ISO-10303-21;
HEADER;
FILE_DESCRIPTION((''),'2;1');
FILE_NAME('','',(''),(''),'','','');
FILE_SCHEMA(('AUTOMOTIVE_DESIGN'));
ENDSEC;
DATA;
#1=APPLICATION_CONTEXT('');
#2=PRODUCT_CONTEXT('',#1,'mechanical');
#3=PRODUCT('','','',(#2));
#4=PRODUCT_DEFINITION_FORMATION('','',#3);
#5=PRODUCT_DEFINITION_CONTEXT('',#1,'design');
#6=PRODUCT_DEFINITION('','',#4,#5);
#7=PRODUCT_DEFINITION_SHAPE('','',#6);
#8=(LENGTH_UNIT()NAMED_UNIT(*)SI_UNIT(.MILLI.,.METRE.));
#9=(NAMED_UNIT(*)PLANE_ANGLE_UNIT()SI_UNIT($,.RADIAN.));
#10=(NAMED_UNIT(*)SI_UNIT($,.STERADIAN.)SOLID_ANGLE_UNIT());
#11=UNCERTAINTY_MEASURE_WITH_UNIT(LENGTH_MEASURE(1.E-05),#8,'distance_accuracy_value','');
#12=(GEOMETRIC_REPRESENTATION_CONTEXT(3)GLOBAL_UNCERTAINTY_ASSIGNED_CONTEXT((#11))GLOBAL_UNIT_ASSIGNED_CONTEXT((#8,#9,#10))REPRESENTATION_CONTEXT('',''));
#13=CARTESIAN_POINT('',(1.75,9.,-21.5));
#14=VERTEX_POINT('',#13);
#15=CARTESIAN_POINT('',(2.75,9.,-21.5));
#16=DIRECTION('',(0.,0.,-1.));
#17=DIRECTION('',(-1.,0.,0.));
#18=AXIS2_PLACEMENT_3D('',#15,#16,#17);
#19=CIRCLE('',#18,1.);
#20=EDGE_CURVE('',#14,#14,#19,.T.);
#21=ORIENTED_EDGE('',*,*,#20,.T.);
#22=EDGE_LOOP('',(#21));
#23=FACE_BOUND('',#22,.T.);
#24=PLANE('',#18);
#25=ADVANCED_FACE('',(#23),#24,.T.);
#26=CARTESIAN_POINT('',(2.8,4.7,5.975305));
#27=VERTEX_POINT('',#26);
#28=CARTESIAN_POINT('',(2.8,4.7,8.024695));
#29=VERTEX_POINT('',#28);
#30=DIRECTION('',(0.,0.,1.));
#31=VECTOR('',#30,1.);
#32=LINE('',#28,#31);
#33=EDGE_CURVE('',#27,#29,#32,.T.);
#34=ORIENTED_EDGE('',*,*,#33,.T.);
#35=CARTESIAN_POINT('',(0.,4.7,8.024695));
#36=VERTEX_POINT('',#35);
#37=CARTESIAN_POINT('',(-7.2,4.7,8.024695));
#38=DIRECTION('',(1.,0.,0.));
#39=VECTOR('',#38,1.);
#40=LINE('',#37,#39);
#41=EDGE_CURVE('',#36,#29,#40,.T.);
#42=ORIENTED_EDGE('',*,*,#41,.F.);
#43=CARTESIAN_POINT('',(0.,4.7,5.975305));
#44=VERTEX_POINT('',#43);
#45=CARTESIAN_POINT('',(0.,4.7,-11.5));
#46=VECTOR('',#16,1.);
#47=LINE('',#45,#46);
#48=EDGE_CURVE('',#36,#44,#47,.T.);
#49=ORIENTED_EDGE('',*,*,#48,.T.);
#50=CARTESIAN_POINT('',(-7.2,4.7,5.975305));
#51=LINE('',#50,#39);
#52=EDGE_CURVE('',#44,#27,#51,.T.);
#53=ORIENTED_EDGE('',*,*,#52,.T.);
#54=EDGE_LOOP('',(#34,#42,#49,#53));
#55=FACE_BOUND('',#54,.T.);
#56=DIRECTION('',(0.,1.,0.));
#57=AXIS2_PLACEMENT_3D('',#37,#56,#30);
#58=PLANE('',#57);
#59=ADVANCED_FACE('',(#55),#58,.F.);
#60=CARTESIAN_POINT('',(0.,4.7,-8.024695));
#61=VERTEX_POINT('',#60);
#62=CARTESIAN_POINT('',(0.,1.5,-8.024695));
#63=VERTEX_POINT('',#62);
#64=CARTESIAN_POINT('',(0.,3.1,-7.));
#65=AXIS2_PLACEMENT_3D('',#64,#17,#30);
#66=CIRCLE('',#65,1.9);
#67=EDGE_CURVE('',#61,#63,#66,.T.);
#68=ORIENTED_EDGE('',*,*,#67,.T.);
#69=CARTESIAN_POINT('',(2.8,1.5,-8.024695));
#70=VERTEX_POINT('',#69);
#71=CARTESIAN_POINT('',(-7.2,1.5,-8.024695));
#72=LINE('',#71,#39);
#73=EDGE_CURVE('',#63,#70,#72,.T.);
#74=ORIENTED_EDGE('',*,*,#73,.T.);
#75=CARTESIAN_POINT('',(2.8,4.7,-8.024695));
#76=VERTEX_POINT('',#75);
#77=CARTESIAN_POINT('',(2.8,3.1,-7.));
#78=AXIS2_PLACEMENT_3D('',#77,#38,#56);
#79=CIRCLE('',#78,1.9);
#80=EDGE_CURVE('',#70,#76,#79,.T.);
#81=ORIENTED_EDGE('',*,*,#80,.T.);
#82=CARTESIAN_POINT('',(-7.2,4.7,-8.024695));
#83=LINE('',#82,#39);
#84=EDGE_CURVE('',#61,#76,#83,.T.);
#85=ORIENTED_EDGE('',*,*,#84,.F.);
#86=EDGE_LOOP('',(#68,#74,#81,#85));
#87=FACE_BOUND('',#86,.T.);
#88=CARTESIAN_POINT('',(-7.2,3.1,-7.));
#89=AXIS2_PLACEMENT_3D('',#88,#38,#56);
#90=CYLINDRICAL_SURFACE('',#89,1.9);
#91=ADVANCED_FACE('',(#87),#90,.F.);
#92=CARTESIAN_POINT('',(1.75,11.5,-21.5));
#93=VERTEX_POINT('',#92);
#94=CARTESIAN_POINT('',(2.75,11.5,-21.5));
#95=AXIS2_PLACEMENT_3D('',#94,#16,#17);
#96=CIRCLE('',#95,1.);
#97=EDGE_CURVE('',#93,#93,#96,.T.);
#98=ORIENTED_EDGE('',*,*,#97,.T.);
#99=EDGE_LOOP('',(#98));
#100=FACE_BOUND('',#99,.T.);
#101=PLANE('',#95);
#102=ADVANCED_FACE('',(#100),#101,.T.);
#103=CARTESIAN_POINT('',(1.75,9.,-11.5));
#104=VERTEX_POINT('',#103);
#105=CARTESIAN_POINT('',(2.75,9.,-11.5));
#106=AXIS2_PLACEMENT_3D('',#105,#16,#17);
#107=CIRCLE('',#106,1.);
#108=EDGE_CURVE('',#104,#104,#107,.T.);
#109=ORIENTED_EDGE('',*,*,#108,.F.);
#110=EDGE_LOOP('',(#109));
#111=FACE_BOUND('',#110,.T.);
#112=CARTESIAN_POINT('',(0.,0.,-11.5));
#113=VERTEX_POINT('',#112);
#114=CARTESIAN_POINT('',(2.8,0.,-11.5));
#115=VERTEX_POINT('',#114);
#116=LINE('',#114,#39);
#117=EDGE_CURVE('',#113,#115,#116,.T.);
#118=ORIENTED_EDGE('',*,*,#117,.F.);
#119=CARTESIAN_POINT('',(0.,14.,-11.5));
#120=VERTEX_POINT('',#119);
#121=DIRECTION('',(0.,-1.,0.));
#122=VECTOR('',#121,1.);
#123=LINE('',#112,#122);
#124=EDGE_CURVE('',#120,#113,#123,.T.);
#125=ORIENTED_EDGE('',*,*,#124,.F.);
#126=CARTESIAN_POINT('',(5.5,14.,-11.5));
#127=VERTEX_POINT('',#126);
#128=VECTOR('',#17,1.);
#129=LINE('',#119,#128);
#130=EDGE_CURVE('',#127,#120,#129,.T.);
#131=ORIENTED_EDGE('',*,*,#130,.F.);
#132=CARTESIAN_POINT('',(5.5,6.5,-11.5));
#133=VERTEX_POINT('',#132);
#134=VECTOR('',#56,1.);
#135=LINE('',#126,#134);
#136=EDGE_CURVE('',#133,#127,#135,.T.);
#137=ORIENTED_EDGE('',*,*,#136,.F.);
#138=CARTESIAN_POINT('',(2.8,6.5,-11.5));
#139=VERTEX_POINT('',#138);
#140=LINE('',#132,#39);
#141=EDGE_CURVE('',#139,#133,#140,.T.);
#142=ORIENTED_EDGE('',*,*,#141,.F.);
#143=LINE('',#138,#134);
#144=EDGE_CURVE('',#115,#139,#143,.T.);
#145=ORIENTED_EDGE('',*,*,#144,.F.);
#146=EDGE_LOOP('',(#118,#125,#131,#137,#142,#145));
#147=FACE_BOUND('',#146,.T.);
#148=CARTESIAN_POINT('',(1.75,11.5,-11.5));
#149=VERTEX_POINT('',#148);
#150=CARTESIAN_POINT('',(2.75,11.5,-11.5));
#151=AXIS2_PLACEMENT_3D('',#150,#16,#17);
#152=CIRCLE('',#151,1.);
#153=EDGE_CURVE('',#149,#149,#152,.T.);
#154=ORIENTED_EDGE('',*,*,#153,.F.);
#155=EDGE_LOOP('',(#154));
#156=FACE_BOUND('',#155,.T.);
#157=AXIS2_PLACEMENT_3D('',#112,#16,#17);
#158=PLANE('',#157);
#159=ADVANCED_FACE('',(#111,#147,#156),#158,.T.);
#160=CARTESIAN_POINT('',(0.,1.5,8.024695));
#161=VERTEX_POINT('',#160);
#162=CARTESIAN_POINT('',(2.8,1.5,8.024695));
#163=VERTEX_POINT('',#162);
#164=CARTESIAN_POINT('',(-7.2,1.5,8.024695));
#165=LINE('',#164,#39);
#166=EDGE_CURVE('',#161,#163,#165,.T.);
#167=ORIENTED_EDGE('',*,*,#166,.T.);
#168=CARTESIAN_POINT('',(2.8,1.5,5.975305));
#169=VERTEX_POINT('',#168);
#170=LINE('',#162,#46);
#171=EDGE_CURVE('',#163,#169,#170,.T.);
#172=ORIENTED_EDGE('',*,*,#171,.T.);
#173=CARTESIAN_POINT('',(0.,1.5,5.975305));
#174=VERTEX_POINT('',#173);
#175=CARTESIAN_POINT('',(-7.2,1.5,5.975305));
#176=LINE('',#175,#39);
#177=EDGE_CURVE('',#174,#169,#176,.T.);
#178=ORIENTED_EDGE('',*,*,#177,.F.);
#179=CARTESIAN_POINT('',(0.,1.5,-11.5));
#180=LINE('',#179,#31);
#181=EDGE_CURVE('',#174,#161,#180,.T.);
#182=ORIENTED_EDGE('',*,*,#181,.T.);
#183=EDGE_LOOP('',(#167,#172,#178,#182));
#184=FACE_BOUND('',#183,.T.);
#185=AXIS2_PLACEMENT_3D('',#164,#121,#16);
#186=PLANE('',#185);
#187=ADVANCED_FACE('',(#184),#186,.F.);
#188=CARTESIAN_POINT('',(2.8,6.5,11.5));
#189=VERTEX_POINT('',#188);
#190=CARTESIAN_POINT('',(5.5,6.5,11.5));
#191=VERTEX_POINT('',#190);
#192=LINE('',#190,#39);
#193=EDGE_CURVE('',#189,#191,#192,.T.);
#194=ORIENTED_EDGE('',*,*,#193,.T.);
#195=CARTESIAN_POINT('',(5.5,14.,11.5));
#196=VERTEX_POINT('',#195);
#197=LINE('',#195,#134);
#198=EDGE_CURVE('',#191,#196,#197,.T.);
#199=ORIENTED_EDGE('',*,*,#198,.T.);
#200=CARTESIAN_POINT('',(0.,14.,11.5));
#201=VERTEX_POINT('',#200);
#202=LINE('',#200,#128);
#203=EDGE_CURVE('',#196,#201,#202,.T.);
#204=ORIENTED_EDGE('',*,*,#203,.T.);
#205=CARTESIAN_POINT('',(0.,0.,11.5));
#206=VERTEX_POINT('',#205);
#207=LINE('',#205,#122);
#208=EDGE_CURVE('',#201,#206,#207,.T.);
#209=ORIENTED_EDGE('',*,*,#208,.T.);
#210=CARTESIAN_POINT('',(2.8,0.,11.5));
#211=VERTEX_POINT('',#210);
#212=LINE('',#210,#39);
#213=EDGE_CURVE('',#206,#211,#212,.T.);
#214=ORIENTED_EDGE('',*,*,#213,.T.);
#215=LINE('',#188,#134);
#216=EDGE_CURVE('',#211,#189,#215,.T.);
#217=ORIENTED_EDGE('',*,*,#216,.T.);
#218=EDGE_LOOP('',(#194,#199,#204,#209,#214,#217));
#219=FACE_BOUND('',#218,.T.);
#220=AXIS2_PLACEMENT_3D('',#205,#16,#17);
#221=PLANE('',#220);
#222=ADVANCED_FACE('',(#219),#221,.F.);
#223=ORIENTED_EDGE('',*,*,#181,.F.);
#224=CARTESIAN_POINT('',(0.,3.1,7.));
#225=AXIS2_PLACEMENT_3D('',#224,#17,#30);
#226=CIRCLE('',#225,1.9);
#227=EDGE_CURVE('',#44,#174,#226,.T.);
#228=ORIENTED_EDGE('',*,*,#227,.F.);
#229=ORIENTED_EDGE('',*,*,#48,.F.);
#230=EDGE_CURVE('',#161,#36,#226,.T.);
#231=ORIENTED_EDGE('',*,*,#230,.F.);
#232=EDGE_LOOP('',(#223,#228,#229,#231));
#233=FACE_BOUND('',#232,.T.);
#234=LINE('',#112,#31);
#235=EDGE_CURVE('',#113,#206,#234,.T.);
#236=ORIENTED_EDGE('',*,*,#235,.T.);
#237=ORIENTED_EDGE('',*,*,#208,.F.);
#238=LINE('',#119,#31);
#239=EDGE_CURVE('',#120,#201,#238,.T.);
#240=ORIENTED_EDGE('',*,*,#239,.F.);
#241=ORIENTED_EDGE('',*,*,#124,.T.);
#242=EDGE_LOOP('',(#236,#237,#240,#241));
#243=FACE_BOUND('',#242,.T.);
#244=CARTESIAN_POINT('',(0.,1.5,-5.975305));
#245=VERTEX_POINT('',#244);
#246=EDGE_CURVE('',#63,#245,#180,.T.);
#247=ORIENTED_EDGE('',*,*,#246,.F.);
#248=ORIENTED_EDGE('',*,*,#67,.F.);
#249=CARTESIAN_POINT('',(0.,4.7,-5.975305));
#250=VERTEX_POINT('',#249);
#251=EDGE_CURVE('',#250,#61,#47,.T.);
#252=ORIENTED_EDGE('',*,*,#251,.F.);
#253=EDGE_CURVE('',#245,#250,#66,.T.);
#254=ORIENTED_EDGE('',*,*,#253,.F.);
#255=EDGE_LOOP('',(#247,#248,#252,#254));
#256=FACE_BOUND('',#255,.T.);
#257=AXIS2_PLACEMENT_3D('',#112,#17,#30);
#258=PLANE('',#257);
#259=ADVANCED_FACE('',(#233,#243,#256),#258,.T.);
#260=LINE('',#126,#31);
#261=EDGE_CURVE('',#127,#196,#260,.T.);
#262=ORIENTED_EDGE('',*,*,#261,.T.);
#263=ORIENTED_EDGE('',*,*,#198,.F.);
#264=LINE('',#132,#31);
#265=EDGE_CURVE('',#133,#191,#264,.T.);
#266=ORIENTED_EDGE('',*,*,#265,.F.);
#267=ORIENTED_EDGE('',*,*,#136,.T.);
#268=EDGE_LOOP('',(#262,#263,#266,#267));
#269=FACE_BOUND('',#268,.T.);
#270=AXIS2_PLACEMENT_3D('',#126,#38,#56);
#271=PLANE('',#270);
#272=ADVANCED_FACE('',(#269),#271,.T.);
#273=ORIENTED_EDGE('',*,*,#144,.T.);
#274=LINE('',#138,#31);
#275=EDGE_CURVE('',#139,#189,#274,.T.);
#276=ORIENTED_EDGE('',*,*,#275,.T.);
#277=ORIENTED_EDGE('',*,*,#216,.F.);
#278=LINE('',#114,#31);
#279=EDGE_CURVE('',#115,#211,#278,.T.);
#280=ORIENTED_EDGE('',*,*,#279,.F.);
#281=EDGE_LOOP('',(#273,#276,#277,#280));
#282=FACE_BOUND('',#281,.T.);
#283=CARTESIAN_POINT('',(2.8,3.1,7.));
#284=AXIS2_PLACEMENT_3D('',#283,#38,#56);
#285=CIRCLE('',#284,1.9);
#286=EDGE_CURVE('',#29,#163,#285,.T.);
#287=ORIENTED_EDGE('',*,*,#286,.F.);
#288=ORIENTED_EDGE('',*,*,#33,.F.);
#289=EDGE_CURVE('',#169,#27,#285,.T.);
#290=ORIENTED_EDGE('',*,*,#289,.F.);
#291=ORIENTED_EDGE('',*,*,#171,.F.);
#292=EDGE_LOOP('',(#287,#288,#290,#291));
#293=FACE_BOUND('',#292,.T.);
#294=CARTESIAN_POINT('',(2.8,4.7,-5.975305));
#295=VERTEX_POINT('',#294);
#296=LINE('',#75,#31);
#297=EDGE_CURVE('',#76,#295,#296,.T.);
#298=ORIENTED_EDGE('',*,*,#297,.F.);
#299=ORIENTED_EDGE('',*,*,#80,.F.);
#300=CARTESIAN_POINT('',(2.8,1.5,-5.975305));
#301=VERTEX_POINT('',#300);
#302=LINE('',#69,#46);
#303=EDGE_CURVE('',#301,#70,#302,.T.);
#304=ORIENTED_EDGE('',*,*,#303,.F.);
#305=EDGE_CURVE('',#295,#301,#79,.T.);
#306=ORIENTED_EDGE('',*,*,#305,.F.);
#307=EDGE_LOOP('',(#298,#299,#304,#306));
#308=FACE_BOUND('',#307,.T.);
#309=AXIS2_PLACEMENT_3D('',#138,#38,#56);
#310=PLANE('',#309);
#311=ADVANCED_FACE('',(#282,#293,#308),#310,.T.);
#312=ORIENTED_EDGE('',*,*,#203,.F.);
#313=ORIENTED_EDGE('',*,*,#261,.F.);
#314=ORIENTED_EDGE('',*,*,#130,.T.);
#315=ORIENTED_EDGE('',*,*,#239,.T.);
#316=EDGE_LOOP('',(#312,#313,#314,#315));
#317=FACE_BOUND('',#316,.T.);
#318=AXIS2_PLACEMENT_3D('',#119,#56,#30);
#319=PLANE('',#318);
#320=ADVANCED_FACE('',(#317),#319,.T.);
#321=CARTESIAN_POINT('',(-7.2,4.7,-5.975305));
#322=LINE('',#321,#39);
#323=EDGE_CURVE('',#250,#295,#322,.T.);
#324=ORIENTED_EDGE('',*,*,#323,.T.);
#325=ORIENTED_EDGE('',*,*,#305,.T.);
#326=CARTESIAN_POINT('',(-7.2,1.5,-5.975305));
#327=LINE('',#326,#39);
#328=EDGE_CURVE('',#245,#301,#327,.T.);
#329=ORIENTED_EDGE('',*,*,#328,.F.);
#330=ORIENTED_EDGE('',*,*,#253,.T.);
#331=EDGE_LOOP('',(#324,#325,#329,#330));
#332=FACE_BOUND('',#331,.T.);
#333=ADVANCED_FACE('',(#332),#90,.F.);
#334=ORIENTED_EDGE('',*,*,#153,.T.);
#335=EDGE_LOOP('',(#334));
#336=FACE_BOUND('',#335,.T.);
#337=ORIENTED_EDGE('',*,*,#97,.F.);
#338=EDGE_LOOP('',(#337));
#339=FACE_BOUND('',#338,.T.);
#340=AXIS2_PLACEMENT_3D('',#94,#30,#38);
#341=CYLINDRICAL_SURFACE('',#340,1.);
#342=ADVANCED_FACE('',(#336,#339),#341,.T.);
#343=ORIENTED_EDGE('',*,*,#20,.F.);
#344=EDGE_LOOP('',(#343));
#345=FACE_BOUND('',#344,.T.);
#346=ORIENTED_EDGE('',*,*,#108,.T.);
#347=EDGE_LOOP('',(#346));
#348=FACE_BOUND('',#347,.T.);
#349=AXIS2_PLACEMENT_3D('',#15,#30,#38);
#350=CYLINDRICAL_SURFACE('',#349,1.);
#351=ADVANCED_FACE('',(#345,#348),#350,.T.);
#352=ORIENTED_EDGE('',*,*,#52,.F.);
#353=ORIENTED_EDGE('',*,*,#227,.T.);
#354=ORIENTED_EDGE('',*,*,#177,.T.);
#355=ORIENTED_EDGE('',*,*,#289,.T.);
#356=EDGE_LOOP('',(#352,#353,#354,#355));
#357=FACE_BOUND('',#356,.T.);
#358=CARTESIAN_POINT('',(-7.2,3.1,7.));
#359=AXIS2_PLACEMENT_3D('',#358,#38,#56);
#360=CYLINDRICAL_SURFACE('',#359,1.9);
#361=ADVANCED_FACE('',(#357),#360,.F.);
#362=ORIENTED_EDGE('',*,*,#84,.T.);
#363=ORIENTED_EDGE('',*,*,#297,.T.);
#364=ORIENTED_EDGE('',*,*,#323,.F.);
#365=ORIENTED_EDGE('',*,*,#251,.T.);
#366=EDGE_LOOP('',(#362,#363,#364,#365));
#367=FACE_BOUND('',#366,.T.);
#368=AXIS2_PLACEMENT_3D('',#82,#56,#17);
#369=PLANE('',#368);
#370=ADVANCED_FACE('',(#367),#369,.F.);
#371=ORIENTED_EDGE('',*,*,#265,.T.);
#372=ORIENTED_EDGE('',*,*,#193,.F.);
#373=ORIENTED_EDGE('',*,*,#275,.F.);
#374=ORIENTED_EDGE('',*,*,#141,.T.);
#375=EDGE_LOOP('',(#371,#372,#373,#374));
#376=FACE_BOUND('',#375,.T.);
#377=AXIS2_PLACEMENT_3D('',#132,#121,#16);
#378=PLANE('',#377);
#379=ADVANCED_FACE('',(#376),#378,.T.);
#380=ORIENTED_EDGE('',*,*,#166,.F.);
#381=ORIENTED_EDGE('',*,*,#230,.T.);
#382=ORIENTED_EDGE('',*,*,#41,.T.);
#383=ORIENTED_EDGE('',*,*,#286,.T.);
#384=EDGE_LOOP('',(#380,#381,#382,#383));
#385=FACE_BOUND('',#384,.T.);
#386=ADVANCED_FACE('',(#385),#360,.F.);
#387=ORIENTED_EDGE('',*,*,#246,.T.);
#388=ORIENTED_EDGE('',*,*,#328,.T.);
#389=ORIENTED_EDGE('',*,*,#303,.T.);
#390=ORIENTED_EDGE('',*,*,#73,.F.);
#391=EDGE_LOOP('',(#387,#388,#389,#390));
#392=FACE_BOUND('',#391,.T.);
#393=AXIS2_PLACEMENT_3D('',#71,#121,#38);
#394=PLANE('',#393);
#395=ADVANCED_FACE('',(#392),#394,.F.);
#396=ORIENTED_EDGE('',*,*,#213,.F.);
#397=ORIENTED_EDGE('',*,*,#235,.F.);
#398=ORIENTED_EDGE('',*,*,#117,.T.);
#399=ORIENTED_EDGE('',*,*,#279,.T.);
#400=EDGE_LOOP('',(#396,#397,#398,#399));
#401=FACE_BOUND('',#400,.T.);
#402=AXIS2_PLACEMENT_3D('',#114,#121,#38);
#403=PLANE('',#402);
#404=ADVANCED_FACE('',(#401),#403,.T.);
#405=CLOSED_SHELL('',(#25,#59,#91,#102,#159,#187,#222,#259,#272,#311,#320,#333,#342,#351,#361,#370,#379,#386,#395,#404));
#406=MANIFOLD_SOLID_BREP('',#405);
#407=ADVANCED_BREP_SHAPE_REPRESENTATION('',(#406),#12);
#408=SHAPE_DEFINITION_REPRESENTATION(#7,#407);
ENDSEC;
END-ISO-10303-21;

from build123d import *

# Parameters (mm, degrees)
DODANIE_WYCI_GNI_CIE1_DEPTH = 11.5
SZKIC2_R                    = 1
DODANIE_WYCI_GNI_CIE2_DEPTH = 10
WYTNIJ_WYCI_GNI_CIE1_DEPTH  = 10


with BuildPart() as part:
    # Szkic1 → Dodanie-wyciągnięcie1 (new body, symmetric)
    with BuildSketch(Plane.XY):
        Polygon((0, 0), (0, 14), (5.5, 14), (5.5, 6.5), (2.8, 6.5), (2.8, 0), align=None)
    extrude(amount=DODANIE_WYCI_GNI_CIE1_DEPTH, both=True)

    # Szkic2 → Dodanie-wyciągnięcie2 (add)
    with BuildSketch(Plane(origin=(0, 0, -11.5), x_dir=(-1, 0, 0), z_dir=(0, 0, -1))):
        with Locations((-2.75, 11.5)):
            Circle(SZKIC2_R)
        with Locations((-2.75, 9)):
            Circle(SZKIC2_R)
    extrude(amount=DODANIE_WYCI_GNI_CIE2_DEPTH)

    # Szkic3 → Wytnij-wyciągnięcie1 (cut)
    with BuildSketch(Plane(origin=(2.8, 0, 0), x_dir=(0, 0, -1), z_dir=(1, 0, 0))):
        with BuildLine():
            Line((-8.024695077, 1.5), (-5.975304923, 1.5))
            ThreePointArc((-5.975304923, 1.5), (-5.1, 3.1), (-5.975304923, 4.7))
            Line((-5.975304923, 4.7), (-8.024695077, 4.7))
            ThreePointArc((-8.024695077, 4.7), (-8.9, 3.1), (-8.024695077, 1.5))
        make_face()
        with BuildLine():
            Line((8.024695077, 1.5), (5.975304923, 1.5))
            ThreePointArc((5.975304923, 1.5), (5.1, 3.1), (5.975304923, 4.7))
            Line((5.975304923, 4.7), (8.024695077, 4.7))
            ThreePointArc((8.024695077, 4.7), (8.9, 3.1), (8.024695077, 1.5))
        make_face()
    extrude(amount=-WYTNIJ_WYCI_GNI_CIE1_DEPTH, mode=Mode.SUBTRACT)


solid = part.part
